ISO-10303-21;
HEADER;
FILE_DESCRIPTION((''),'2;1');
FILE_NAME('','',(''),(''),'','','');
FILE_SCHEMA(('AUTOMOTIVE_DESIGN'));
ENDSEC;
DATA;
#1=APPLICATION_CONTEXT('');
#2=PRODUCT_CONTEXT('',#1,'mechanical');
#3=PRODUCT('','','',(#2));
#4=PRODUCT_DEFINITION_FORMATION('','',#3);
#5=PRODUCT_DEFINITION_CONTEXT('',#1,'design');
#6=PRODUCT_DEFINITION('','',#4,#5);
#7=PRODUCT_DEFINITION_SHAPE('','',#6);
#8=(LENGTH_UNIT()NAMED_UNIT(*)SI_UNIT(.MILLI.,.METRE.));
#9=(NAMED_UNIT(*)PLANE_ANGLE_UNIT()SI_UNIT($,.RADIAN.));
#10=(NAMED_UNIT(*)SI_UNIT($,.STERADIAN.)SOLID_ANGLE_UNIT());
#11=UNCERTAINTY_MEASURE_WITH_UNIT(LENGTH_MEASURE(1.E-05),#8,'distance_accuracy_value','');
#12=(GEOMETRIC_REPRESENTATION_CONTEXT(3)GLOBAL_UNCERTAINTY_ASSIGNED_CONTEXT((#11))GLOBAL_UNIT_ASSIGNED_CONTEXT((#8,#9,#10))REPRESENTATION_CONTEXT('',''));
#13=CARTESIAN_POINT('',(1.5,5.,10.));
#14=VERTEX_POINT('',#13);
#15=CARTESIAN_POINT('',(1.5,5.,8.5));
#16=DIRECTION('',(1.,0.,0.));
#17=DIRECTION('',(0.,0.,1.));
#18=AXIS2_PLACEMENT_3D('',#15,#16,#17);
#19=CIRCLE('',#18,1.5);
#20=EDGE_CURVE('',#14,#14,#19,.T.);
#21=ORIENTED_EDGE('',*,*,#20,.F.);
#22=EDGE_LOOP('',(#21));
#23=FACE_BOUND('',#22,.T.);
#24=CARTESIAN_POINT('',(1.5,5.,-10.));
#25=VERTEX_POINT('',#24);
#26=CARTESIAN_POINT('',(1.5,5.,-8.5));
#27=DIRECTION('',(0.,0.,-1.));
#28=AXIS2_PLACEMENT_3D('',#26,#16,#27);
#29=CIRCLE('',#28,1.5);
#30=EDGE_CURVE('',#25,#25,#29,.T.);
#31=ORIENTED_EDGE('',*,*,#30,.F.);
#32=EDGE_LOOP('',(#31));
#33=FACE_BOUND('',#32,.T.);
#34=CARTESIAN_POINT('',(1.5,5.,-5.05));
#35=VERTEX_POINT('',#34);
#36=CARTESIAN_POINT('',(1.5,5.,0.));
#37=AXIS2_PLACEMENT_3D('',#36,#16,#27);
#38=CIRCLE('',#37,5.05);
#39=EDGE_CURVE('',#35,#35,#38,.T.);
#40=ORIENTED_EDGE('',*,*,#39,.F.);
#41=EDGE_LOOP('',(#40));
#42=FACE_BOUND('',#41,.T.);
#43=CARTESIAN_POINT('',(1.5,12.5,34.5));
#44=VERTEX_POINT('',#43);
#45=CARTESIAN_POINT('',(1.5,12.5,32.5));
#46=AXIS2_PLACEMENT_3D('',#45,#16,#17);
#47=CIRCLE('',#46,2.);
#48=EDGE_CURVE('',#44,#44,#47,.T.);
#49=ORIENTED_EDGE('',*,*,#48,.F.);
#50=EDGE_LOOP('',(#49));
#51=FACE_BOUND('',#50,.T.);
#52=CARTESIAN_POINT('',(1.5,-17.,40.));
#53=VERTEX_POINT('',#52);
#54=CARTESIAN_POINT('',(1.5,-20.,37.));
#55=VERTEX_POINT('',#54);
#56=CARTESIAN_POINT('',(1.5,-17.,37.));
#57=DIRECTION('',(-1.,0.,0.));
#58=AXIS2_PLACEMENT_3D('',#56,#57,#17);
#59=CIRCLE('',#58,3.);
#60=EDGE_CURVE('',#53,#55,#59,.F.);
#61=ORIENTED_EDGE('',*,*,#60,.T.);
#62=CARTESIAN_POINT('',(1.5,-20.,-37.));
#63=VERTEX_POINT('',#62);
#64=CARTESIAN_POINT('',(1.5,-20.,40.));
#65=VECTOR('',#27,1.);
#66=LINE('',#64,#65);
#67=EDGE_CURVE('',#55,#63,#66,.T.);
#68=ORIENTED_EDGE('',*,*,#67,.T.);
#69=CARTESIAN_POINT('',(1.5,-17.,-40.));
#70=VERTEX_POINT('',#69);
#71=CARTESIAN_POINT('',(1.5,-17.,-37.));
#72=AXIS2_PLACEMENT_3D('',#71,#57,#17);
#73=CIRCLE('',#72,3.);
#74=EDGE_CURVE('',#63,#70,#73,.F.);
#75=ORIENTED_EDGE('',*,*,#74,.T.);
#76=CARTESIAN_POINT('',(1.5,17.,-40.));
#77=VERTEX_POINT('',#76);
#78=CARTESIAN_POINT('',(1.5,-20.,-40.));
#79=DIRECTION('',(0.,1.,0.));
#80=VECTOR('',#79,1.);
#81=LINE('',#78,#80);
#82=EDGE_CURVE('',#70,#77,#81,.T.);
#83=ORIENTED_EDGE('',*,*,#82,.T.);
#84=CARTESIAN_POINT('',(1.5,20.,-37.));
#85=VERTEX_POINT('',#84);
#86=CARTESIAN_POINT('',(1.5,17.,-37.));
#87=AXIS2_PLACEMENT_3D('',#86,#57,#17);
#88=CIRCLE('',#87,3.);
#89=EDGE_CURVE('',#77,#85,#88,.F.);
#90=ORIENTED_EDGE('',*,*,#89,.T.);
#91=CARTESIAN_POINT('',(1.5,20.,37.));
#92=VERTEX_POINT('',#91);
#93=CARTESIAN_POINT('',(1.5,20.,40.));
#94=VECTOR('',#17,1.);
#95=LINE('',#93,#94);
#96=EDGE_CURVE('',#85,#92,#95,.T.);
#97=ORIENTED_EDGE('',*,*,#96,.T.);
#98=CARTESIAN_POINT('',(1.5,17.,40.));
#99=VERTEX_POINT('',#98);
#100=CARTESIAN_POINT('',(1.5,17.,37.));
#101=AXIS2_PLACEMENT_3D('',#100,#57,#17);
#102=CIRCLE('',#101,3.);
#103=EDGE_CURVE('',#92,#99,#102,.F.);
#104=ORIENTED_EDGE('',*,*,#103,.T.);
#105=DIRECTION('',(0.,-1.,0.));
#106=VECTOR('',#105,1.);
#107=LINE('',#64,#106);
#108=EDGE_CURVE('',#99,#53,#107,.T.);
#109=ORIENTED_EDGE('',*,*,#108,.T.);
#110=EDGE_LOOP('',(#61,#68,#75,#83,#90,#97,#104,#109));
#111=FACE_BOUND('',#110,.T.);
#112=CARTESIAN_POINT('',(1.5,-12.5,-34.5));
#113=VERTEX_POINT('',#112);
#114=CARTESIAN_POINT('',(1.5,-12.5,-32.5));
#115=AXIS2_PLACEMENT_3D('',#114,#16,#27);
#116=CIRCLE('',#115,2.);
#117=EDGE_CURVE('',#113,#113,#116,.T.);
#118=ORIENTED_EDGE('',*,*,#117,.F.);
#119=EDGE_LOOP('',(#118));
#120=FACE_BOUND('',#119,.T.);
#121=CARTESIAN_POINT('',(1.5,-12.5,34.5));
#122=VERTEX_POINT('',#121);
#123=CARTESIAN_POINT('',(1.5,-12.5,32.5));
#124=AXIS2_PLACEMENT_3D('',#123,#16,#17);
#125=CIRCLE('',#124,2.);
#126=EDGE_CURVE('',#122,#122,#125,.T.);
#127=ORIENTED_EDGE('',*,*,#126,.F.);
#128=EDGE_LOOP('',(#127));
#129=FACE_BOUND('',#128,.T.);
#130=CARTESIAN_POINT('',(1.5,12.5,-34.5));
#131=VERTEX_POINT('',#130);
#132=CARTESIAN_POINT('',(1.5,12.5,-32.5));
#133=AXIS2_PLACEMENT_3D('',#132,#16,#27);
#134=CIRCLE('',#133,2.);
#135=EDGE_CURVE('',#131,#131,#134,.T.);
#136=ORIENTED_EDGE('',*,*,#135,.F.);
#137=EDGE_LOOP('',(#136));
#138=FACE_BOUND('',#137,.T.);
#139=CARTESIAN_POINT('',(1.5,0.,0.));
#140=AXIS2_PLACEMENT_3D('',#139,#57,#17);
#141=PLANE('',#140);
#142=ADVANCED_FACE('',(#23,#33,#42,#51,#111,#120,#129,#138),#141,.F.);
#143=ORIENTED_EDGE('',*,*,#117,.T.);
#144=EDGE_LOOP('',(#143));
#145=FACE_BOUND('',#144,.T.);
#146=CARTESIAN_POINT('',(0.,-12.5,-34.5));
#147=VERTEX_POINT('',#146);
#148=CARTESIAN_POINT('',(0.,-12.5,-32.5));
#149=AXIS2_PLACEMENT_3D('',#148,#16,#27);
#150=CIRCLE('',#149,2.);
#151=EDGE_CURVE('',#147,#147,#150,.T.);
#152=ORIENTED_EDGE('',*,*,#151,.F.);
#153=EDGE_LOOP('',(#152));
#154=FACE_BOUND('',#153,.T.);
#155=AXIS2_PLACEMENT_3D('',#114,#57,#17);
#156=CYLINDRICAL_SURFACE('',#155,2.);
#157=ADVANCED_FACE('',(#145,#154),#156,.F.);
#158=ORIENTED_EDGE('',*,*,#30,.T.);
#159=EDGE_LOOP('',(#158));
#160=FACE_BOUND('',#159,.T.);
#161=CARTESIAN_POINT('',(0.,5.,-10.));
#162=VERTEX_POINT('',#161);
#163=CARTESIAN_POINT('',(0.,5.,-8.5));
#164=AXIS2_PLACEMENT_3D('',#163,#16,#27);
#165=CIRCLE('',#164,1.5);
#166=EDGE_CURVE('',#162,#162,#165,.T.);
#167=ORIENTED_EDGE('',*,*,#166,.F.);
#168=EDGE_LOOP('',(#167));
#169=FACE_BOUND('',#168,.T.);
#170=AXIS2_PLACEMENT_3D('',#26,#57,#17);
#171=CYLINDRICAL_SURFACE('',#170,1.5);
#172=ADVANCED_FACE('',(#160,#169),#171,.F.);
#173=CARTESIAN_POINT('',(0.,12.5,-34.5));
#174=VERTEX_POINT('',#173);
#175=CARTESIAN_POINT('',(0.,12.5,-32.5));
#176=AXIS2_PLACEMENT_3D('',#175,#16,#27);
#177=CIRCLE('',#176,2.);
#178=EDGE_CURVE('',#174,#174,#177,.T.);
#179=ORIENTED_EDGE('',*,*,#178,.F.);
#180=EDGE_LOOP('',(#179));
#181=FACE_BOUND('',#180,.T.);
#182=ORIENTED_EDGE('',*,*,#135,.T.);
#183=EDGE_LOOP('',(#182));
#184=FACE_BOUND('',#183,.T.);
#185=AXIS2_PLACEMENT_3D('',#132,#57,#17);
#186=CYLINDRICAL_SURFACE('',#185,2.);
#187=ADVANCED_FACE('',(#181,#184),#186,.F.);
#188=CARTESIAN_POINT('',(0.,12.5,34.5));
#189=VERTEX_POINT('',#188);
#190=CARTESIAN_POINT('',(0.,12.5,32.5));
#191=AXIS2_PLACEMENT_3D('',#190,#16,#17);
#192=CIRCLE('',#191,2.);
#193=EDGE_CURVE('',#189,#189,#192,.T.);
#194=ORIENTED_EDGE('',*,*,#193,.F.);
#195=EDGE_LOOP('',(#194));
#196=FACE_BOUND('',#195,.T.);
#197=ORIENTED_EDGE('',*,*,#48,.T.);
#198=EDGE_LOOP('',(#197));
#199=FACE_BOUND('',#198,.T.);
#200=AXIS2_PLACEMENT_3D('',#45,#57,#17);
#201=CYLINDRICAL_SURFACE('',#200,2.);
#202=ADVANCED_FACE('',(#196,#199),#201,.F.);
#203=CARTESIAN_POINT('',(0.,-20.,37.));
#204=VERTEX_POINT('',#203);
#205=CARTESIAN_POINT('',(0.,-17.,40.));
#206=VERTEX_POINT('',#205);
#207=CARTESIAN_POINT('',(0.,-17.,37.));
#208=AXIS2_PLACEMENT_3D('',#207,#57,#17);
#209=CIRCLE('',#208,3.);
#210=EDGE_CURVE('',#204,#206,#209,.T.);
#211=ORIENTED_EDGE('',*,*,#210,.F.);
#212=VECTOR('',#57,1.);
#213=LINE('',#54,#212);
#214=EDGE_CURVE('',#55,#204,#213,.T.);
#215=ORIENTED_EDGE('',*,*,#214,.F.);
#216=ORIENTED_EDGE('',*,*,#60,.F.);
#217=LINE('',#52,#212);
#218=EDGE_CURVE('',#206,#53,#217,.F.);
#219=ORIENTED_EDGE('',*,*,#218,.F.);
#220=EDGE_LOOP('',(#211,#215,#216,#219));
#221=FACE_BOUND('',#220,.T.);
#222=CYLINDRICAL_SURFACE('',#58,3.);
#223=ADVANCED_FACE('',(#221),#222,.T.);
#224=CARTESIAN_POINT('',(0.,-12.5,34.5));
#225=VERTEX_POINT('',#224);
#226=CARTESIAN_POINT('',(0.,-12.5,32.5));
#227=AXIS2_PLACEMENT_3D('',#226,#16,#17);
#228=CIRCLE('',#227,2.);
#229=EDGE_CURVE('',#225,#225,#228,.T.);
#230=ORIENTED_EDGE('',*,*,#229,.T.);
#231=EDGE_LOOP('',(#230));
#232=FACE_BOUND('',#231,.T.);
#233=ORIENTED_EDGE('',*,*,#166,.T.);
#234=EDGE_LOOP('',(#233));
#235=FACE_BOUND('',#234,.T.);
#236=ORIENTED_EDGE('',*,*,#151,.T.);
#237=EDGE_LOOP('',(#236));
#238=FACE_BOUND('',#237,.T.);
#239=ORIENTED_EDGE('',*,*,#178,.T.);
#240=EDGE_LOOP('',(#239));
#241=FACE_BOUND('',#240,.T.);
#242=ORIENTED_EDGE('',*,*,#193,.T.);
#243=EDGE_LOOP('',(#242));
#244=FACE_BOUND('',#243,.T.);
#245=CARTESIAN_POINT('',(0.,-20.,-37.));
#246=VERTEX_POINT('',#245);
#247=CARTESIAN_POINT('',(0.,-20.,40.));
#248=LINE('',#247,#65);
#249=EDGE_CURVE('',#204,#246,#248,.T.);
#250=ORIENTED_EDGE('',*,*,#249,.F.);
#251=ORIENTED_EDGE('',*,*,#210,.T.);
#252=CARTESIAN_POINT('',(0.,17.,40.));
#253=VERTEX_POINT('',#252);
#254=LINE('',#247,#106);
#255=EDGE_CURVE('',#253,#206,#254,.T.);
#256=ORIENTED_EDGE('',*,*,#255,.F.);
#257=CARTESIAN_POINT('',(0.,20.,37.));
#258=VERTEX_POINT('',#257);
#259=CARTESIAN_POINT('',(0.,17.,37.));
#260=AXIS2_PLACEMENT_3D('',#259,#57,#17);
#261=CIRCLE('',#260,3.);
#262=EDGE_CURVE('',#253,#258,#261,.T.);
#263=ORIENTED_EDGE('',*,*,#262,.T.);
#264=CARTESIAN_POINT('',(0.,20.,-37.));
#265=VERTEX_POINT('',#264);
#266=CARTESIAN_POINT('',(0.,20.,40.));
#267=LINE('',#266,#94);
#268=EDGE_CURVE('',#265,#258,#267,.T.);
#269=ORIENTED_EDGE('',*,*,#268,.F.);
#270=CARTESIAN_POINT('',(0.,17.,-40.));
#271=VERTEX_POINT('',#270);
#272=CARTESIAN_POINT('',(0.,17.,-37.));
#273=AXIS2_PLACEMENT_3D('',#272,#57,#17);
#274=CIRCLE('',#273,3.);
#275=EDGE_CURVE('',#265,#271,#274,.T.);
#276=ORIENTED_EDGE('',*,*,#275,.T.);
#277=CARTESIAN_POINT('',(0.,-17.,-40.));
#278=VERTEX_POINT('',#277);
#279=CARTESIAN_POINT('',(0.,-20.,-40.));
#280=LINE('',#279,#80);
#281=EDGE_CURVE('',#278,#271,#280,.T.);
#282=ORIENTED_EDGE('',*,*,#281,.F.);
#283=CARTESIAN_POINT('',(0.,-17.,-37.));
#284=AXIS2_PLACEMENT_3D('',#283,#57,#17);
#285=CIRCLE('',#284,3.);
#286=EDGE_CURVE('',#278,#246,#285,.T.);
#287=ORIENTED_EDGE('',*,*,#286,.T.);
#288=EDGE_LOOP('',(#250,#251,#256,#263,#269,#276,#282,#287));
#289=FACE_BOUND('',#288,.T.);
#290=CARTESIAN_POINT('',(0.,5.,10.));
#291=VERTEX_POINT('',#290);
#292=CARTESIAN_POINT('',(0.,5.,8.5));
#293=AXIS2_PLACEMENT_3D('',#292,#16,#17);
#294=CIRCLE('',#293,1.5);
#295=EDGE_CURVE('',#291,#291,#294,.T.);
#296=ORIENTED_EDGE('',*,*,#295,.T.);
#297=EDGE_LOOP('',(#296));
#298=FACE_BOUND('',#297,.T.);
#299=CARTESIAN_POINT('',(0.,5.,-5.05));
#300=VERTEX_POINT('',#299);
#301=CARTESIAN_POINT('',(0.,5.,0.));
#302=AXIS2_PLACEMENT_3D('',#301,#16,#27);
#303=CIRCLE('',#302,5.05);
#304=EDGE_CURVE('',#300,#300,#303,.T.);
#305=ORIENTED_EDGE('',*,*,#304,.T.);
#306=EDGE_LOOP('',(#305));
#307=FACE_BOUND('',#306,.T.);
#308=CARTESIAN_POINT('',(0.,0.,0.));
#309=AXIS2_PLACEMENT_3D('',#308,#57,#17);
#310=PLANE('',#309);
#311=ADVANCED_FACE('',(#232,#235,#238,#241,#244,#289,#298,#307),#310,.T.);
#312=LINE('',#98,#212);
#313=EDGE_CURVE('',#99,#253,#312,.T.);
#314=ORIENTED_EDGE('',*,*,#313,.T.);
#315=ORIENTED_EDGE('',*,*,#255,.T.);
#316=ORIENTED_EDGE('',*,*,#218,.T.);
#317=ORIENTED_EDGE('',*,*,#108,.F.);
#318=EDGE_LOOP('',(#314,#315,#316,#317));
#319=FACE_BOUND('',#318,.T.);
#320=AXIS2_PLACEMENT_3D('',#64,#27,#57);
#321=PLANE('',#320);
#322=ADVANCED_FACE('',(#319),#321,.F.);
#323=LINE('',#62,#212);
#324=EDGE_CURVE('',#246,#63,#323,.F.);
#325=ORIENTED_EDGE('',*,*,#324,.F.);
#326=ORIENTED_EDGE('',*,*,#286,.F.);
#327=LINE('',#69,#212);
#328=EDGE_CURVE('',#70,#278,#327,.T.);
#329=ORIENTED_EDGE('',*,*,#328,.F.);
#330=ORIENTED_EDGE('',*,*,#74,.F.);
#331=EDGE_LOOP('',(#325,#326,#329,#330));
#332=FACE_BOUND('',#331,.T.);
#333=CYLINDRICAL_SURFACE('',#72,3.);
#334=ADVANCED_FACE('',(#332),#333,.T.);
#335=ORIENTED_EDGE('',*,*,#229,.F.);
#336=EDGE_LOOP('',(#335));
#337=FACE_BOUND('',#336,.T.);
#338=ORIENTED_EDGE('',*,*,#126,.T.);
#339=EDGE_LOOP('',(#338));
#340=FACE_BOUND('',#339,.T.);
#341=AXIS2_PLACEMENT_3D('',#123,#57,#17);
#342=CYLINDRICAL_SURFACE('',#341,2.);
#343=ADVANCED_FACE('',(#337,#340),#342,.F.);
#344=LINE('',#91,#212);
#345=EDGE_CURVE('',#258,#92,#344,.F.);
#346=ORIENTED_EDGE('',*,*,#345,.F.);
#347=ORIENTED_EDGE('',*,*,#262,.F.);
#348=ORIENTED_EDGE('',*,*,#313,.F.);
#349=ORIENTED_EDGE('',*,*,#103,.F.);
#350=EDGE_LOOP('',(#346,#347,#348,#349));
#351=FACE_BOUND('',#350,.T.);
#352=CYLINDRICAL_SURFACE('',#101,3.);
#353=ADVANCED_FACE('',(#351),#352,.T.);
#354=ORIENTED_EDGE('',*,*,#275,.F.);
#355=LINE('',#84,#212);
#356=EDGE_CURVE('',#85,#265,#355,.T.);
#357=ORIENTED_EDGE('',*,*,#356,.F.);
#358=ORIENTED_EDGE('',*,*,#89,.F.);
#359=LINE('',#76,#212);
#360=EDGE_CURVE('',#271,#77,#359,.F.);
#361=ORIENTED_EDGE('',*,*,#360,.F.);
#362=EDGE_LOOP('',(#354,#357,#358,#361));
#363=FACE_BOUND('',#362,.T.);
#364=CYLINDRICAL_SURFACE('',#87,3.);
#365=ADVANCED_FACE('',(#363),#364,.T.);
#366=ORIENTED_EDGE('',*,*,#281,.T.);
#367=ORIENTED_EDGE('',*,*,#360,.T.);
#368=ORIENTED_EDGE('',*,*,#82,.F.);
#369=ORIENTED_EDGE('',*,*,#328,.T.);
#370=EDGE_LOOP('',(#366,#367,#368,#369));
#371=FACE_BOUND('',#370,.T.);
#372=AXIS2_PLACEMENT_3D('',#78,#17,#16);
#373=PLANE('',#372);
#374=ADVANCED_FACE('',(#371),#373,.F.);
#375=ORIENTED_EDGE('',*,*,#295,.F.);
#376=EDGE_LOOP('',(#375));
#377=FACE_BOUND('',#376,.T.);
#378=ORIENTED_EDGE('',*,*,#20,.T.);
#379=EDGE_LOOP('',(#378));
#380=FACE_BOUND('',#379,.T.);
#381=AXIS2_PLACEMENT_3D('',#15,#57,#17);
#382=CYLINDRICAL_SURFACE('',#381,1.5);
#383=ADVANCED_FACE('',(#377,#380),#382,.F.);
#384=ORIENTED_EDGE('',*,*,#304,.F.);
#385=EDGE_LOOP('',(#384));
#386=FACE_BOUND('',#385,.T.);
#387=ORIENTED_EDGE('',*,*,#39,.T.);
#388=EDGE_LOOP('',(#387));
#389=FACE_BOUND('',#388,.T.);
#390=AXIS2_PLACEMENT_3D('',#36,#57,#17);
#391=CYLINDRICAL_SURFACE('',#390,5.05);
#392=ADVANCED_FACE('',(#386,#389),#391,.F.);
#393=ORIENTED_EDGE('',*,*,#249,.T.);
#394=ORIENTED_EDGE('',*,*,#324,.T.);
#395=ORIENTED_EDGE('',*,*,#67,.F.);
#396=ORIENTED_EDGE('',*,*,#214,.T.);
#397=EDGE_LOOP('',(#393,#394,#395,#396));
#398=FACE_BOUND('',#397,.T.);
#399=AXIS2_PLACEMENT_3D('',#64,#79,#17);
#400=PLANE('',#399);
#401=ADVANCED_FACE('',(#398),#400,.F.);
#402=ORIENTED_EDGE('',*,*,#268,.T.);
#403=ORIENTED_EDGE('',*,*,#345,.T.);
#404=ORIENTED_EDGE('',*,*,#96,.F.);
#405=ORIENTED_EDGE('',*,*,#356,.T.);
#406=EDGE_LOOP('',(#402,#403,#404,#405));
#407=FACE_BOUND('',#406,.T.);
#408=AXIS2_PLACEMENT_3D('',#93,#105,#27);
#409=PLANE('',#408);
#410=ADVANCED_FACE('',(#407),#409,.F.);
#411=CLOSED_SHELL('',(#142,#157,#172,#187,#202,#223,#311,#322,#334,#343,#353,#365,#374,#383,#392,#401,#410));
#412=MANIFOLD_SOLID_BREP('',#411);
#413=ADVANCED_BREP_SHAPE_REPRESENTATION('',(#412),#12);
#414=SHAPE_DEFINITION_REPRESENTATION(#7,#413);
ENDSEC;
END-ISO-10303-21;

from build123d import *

# Parameters (mm, degrees)
SKETCH_1_W      = 80
SKETCH_1_H      = 40
SKETCH_1_R      = 2
SKETCH_1_R_2    = 5.05
SKETCH_1_R_3    = 1.5
EXTRUDE_1_DEPTH = 1.5
FILLET_1_R      = 3


with BuildPart() as part:
    # ｽｹｯﾁ1 → ﾎﾞｽ - 押し出し1 (new body)
    with BuildSketch(Plane(origin=(0, 0, 0), x_dir=(0, 0, -1), z_dir=(1, 0, 0))):
        Rectangle(SKETCH_1_W, SKETCH_1_H)
        with Locations((32.5, 12.5)):
            Circle(SKETCH_1_R, mode=Mode.SUBTRACT)
        with Locations(Location((-32.5, 12.5, 0), (0, 0, 180))):
            Circle(SKETCH_1_R, mode=Mode.SUBTRACT)
        with Locations((32.5, -12.5)):
            Circle(SKETCH_1_R, mode=Mode.SUBTRACT)
        with Locations((0, 5)):
            Circle(SKETCH_1_R_2, mode=Mode.SUBTRACT)
        with Locations(Location((-32.5, -12.5, 0), (0, 0, 180))):
            Circle(SKETCH_1_R, mode=Mode.SUBTRACT)
        with Locations((8.5, 5)):
            Circle(SKETCH_1_R_3, mode=Mode.SUBTRACT)
        with Locations(Location((-8.5, 5, 0), (0, 0, 180))):
            Circle(SKETCH_1_R_3, mode=Mode.SUBTRACT)
    extrude(amount=EXTRUDE_1_DEPTH)

    # ﾌｨﾚｯﾄ1
    fillet_1_edges = [part.edges().sort_by_distance(p)[0] for p in [
        (0.75, -20, -40),
        (0.75, -20, 40),
        (0.75, 20, 40),
        (0.75, 20, -40),
    ]]
    fillet(fillet_1_edges, radius=FILLET_1_R)


solid = part.part
